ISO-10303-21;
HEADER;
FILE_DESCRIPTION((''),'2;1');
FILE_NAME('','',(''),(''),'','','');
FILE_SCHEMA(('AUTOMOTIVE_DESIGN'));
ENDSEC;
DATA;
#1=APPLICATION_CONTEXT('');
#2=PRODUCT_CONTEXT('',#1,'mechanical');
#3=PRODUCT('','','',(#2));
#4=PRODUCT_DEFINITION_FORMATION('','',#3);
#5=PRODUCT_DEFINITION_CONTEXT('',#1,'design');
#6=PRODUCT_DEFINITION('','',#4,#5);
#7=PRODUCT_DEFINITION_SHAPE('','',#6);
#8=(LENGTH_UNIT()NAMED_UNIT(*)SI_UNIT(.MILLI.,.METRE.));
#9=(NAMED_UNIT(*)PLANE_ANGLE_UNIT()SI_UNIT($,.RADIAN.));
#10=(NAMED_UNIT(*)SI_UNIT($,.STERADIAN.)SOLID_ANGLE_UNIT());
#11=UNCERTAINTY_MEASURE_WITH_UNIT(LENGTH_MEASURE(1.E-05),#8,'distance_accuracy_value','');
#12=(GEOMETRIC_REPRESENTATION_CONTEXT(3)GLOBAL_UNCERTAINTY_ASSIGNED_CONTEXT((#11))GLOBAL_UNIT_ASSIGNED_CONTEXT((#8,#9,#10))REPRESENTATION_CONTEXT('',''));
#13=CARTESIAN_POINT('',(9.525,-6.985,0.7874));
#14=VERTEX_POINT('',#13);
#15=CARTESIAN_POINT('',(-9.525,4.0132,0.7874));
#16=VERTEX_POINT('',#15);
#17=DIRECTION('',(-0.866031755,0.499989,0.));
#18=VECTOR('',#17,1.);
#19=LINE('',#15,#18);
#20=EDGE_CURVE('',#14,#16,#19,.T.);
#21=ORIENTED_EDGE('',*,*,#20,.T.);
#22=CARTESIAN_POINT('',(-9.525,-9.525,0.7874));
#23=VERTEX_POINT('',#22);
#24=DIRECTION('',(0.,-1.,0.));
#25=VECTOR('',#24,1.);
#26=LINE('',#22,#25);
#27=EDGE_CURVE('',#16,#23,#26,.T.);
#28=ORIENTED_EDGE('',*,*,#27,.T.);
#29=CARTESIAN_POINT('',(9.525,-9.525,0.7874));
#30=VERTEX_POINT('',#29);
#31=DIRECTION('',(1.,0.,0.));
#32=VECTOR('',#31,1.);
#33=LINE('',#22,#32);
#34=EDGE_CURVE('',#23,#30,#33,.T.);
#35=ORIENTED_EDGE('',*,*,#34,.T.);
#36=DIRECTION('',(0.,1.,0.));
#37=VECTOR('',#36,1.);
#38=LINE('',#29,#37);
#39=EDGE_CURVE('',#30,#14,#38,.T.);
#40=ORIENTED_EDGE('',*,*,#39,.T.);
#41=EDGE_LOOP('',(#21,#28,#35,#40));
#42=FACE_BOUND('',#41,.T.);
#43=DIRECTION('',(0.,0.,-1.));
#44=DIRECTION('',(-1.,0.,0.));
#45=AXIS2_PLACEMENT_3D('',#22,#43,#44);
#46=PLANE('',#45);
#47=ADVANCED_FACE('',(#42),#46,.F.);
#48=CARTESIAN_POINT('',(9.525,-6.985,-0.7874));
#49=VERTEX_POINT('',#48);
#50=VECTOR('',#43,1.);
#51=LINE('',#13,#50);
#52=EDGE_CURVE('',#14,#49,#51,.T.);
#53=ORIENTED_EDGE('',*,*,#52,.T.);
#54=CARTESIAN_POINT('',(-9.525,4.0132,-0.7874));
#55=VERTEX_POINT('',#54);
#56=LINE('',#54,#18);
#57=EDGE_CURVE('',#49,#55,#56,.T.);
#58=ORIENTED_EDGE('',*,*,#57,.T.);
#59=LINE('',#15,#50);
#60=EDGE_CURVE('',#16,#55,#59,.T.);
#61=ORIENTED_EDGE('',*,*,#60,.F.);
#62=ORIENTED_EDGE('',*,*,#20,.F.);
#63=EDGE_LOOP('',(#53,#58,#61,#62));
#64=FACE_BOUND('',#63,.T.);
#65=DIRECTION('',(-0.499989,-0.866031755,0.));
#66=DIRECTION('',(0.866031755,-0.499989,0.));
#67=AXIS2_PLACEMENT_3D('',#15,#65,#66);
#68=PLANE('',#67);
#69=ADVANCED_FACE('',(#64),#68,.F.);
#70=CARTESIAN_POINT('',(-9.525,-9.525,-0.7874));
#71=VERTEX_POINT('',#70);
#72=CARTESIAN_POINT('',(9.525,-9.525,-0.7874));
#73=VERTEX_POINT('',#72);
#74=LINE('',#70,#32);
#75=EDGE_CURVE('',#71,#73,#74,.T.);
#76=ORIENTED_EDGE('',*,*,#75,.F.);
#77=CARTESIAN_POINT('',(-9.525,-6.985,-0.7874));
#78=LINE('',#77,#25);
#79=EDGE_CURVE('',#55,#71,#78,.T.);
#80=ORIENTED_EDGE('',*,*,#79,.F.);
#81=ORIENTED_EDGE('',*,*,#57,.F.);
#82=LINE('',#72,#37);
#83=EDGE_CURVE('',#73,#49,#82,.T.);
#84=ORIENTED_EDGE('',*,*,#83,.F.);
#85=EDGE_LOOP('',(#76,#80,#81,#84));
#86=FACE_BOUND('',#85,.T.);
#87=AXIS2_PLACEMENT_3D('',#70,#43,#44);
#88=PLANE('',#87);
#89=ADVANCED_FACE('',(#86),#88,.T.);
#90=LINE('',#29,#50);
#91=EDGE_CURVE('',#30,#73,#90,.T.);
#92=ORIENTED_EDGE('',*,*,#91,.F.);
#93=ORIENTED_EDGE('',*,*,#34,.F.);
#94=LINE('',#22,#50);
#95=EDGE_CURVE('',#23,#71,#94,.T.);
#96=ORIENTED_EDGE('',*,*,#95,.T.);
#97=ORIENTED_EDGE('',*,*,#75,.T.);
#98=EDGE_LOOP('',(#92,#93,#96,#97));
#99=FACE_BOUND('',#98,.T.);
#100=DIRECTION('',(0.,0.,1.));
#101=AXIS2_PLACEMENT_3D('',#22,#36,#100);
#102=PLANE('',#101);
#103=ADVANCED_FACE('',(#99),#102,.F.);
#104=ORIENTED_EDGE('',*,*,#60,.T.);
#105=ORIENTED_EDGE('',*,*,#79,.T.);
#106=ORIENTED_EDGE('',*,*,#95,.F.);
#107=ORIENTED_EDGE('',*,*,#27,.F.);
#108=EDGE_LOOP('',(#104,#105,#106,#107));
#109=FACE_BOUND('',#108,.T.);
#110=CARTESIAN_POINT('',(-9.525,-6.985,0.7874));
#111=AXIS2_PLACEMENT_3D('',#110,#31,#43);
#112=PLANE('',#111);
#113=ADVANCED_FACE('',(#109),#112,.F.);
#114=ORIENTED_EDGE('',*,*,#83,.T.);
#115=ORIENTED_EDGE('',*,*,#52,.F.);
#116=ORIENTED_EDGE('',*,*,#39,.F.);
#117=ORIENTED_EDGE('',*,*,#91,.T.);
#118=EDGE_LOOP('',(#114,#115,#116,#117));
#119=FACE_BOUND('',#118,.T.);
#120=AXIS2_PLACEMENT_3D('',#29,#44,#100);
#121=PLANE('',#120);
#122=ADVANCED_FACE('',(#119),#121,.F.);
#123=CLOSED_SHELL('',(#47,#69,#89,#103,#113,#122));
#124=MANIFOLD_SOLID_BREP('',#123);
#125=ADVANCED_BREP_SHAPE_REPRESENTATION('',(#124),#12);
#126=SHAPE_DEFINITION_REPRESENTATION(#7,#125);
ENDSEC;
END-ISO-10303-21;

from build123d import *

# Parameters (mm, degrees)
EXTRUDE1_DEPTH = 0.7874


with BuildPart() as part:
    # Sketch1 → Extrude1 (new body, symmetric)
    with BuildSketch(Plane.XY):
        Polygon((-9.525, 4.0132), (9.525, -6.985), (9.525, -9.525), (-9.525, -9.525), (-9.525, -6.985), align=None)
    extrude(amount=EXTRUDE1_DEPTH, both=True)


solid = part.part
